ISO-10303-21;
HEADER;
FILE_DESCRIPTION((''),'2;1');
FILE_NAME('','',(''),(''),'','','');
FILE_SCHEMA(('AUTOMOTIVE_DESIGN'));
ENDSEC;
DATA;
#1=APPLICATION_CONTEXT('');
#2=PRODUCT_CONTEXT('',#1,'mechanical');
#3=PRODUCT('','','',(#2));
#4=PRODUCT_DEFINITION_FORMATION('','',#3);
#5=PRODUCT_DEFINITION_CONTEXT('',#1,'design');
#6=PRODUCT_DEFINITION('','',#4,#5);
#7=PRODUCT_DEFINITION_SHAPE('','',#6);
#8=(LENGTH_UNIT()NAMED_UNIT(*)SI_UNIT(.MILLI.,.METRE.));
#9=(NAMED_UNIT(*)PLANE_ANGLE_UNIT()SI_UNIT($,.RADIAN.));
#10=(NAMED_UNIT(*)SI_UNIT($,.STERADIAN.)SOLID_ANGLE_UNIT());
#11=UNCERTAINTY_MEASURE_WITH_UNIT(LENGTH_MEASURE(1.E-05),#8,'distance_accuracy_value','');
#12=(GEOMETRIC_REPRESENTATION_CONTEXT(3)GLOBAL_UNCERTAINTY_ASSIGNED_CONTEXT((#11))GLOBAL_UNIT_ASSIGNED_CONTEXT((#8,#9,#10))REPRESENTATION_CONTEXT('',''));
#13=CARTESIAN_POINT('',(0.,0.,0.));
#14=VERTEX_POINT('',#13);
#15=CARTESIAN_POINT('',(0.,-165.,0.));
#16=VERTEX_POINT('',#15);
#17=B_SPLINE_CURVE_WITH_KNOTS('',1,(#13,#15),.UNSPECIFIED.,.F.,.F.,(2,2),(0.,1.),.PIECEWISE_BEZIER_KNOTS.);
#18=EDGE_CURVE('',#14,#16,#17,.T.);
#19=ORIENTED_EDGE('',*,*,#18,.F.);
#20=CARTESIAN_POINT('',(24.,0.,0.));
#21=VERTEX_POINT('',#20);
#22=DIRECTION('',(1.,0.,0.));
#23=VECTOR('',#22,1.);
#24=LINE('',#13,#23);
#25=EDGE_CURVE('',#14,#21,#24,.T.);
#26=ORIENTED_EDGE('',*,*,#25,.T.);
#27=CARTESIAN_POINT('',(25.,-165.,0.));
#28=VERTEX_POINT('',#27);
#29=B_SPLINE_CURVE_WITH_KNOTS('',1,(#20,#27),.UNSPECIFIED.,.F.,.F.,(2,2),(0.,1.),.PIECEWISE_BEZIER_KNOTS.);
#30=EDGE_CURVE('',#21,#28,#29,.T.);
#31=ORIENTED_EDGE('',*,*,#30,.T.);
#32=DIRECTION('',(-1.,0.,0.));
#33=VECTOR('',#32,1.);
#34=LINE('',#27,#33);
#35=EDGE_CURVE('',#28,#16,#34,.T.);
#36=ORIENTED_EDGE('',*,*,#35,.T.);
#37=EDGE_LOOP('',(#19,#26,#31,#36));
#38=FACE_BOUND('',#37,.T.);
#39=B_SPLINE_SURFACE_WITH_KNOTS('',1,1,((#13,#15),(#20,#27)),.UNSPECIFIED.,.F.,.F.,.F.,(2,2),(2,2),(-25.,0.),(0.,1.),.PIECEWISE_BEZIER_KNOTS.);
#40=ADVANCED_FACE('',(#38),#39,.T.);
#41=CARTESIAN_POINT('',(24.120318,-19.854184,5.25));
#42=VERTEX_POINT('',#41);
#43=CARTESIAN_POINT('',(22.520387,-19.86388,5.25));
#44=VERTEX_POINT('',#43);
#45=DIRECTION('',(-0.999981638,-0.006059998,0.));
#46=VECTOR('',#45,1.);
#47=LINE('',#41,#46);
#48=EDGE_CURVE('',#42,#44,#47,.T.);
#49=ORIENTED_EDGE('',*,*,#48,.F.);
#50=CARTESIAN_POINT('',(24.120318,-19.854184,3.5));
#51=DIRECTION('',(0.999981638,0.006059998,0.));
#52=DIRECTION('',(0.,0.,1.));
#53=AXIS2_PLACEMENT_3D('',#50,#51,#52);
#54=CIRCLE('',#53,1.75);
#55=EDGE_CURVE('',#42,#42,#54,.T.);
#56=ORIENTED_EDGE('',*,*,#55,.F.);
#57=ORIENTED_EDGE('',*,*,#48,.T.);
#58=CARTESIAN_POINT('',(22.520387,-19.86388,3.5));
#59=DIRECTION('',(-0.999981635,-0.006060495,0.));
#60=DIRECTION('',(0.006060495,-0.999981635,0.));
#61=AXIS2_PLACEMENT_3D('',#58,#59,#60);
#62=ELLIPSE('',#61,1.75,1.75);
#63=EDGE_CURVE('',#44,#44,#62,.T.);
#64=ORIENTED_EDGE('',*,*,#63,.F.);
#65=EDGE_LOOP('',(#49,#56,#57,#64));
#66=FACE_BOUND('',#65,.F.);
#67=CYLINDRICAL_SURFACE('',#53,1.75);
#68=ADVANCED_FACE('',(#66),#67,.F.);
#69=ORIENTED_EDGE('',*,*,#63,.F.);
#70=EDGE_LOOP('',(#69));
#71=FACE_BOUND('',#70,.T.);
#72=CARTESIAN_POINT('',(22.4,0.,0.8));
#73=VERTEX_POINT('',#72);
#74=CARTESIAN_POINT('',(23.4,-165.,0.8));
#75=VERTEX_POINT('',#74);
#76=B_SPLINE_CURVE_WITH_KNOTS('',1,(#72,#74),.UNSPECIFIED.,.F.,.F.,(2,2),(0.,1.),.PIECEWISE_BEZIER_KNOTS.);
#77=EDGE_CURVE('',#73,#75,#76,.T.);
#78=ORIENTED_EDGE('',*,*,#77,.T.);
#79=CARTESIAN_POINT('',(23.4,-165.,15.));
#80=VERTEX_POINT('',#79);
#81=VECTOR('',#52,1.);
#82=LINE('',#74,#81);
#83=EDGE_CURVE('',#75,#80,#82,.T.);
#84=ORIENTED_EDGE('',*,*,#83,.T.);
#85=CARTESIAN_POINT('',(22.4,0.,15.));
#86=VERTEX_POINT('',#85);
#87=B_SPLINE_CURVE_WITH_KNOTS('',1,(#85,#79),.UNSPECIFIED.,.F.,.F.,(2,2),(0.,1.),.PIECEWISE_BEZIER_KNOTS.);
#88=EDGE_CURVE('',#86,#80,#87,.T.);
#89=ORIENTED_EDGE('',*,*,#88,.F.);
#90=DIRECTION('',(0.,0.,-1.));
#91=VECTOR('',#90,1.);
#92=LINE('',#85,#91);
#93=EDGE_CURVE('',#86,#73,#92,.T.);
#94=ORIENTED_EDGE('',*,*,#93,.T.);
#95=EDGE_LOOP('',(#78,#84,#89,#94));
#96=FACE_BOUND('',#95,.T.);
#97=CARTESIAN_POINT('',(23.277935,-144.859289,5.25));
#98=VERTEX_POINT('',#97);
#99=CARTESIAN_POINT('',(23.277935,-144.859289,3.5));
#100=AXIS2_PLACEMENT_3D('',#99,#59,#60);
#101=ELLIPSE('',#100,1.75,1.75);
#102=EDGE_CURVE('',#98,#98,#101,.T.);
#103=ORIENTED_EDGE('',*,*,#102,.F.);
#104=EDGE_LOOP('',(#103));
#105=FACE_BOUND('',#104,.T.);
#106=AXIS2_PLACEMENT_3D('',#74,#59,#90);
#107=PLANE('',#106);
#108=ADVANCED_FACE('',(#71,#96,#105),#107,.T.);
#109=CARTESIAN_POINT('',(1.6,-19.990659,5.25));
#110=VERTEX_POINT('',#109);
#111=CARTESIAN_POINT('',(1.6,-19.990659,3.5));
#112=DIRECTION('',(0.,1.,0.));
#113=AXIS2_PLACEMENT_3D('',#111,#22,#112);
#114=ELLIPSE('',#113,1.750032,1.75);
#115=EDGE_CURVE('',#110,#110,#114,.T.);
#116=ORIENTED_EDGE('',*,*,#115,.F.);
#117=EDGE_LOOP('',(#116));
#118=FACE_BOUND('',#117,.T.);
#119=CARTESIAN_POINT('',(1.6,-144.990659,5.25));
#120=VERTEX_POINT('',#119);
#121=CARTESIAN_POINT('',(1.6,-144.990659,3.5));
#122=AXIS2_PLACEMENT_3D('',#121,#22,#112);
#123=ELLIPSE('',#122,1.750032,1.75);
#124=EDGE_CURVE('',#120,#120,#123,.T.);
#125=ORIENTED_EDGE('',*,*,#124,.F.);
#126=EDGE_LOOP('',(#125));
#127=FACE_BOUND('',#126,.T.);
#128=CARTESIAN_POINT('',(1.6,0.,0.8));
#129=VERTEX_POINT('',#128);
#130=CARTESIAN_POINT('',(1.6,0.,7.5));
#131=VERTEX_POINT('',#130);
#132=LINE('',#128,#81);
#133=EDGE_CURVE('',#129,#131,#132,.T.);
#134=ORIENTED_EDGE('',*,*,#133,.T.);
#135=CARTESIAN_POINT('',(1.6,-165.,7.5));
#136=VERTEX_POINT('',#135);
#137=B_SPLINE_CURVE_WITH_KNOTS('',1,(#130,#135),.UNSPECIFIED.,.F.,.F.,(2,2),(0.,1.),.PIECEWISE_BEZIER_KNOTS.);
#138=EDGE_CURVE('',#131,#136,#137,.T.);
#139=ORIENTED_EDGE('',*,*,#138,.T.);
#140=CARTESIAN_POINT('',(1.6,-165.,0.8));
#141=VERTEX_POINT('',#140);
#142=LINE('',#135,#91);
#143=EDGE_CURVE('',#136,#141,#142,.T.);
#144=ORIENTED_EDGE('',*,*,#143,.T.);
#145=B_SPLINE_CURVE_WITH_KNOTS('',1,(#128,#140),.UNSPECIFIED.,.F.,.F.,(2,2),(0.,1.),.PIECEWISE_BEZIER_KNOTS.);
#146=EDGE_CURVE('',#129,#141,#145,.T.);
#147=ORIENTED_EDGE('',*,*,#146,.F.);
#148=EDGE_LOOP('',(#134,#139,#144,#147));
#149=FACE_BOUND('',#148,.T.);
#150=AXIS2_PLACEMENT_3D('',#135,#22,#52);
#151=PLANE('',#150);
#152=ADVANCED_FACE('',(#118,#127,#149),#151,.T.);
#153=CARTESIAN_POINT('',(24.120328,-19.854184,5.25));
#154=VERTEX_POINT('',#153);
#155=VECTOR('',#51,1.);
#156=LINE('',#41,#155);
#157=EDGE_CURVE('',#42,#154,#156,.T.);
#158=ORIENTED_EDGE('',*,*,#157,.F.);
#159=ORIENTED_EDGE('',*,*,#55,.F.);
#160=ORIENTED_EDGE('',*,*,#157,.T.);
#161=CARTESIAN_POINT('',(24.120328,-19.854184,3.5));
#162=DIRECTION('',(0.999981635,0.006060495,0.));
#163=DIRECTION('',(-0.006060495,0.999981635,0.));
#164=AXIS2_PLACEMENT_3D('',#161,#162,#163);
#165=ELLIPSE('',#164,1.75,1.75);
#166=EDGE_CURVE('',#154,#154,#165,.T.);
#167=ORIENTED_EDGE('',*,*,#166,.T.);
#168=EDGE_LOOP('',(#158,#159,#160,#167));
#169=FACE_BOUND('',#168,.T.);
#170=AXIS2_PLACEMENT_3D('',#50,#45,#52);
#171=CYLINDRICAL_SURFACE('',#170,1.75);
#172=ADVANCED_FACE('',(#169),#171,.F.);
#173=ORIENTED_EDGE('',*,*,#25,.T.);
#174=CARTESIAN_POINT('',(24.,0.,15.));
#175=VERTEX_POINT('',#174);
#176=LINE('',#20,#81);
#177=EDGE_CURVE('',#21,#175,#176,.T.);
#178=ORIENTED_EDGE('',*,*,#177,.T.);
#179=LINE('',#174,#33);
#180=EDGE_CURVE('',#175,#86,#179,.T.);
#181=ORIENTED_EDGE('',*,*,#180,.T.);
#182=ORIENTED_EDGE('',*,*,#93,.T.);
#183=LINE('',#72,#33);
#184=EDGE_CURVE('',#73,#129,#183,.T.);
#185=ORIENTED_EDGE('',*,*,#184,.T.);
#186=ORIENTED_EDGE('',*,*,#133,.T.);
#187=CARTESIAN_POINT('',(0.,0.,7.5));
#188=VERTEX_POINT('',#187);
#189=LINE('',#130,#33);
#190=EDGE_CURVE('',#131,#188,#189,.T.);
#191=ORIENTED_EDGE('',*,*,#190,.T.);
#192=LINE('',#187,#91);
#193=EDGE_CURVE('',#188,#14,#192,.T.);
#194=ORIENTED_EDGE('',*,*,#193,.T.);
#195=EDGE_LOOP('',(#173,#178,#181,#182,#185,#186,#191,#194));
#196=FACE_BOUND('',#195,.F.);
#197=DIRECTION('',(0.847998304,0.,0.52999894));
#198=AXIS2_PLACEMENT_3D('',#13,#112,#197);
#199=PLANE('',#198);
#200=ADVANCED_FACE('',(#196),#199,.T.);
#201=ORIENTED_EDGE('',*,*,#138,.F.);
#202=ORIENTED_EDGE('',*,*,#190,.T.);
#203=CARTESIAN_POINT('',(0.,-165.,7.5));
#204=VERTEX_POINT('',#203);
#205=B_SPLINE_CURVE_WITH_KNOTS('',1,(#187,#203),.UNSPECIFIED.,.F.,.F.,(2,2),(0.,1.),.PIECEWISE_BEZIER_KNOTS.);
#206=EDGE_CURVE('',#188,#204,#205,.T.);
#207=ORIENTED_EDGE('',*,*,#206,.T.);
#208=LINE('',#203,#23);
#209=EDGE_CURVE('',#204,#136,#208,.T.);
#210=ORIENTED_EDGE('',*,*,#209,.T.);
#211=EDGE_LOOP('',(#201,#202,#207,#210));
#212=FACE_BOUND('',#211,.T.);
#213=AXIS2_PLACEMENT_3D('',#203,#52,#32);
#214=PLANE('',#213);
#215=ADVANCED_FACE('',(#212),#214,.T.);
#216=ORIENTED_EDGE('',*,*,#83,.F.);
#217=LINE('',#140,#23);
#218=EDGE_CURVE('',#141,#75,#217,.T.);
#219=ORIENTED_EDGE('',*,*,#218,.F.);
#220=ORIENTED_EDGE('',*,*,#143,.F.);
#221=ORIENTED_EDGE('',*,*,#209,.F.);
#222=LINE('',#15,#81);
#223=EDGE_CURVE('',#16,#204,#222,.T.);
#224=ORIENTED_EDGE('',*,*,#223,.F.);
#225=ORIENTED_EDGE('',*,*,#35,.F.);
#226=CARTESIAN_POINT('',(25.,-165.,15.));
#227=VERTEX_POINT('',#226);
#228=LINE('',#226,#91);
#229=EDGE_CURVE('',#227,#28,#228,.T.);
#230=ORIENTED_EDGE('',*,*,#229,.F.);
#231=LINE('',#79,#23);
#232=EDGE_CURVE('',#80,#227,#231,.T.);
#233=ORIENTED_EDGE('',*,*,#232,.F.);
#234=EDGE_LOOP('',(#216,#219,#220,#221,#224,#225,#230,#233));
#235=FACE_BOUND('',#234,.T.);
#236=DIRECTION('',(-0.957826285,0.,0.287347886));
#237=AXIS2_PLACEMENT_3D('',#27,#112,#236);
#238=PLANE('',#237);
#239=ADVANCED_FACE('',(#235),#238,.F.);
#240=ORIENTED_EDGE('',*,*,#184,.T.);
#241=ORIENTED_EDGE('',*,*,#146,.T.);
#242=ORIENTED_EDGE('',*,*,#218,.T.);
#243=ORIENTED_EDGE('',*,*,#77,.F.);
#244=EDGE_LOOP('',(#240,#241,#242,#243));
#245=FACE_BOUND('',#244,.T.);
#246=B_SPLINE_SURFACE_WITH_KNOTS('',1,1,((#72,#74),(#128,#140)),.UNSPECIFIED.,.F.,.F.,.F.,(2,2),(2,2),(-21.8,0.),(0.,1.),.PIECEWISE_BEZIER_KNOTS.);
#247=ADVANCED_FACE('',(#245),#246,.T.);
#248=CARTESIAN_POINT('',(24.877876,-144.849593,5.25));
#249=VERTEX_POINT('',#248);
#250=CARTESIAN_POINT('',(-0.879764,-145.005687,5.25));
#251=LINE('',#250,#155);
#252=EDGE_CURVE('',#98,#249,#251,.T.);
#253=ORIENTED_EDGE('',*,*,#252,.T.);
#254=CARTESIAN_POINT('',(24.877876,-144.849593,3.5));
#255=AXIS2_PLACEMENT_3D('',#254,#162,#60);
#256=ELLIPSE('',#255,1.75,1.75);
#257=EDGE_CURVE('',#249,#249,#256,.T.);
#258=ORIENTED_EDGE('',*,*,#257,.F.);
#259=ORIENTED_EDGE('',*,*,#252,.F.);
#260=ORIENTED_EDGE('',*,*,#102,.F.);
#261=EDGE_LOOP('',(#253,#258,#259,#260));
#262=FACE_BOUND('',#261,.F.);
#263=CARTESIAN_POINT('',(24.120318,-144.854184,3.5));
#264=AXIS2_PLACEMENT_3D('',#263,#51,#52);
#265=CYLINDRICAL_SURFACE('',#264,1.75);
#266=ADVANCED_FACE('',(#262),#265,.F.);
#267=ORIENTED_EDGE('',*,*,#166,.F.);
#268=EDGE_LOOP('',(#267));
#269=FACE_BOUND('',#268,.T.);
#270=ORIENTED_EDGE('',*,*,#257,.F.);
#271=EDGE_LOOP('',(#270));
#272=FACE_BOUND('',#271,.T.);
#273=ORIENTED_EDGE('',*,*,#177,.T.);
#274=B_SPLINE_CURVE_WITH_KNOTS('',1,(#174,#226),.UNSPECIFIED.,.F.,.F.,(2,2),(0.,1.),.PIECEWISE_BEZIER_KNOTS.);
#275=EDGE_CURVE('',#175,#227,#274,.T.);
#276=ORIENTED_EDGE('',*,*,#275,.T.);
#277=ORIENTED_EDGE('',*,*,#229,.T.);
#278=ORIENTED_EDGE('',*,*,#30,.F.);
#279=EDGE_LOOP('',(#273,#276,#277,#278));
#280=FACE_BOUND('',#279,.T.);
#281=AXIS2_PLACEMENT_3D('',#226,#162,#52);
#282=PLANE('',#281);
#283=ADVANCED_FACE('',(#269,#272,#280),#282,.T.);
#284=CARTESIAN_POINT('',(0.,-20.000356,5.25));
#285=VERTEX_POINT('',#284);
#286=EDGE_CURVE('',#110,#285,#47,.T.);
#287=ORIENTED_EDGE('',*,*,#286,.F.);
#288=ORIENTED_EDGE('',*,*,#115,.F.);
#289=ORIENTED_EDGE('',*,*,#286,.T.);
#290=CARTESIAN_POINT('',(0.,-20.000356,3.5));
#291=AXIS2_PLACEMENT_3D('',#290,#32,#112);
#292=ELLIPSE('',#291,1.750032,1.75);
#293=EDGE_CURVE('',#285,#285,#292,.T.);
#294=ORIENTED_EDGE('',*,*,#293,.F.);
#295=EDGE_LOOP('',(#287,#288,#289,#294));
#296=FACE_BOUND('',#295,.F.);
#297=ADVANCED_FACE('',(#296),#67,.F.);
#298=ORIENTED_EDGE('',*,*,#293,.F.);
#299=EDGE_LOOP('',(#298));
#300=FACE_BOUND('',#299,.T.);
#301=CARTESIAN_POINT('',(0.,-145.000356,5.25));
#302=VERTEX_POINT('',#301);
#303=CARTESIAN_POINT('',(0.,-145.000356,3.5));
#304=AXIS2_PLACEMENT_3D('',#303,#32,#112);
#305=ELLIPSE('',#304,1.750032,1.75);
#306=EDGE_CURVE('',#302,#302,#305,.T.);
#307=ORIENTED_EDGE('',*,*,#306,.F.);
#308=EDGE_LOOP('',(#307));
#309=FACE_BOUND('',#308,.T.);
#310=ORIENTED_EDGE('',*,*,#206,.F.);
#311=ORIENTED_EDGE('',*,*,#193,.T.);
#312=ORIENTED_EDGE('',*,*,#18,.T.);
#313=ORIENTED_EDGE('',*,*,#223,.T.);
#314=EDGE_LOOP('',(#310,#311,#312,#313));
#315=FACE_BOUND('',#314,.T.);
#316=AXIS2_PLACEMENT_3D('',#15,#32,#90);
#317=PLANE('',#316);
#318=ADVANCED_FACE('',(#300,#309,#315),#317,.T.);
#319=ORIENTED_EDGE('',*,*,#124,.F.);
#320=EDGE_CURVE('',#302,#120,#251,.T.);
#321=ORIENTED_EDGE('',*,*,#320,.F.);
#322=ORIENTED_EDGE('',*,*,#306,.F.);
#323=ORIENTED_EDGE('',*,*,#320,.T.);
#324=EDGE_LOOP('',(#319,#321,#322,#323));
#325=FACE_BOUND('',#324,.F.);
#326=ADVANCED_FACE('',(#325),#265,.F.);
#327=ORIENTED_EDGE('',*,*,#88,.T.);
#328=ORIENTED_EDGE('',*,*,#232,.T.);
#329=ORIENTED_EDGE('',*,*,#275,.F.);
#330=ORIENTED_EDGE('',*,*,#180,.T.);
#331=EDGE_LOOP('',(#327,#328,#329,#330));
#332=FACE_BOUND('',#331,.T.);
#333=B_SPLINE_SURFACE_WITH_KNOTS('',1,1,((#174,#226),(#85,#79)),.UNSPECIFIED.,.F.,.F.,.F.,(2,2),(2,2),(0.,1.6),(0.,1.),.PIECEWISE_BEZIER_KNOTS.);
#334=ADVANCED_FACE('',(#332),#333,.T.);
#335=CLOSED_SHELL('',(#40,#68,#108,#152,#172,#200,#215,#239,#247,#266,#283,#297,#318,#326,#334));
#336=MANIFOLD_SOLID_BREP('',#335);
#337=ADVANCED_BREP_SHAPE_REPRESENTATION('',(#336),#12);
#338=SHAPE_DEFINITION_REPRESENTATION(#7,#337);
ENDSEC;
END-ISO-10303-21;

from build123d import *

# Parameters (mm, degrees)
SKETCH002_R         = 1.75
POCKET_DEPTH        = 25.000541
POCKET_DEPTH_BACK   = 1.000982
LINEARPATTERN_COUNT = 2
LINEARPATTERN_PITCH = 125


with BuildPart() as part:
    # Sketch → AdditiveLoft section 0
    with BuildSketch(Plane.XZ):
        Polygon((0, 0), (24, 0), (24, 15), (22.4, 15), (22.4, 0.8), (1.6, 0.8), (1.6, 7.5), (0, 7.5), align=None)
    # Sketch001 (on DatumPlane) → AdditiveLoft section 1
    with BuildSketch(Plane.XZ.offset(165)):
        Polygon((0, 0), (0, 7.5), (1.6, 7.5), (1.6, 0.8), (23.4, 0.8), (23.4, 15), (25, 15), (25, 0), align=None)
    loft()

    # Sketch002 (on Face4 of AdditiveLoft) → Pocket (cut, two sides)
    with BuildSketch(Plane(origin=(23.999118, 0.145449, 0), x_dir=(0, 0, 1), z_dir=(0.999982, 0.00606, 0))) as pocket_sk:
        with Locations((3.5, 20)):
            Circle(SKETCH002_R)
    pocket = extrude(amount=-POCKET_DEPTH, mode=Mode.SUBTRACT) + extrude(pocket_sk.sketch, amount=POCKET_DEPTH_BACK, mode=Mode.SUBTRACT)

    # LinearPattern: Pocket ×2
    with Locations(*[(0, -i * LINEARPATTERN_PITCH, 0) for i in range(1, LINEARPATTERN_COUNT)]):
        add(pocket, mode=Mode.SUBTRACT)


solid = part.part
